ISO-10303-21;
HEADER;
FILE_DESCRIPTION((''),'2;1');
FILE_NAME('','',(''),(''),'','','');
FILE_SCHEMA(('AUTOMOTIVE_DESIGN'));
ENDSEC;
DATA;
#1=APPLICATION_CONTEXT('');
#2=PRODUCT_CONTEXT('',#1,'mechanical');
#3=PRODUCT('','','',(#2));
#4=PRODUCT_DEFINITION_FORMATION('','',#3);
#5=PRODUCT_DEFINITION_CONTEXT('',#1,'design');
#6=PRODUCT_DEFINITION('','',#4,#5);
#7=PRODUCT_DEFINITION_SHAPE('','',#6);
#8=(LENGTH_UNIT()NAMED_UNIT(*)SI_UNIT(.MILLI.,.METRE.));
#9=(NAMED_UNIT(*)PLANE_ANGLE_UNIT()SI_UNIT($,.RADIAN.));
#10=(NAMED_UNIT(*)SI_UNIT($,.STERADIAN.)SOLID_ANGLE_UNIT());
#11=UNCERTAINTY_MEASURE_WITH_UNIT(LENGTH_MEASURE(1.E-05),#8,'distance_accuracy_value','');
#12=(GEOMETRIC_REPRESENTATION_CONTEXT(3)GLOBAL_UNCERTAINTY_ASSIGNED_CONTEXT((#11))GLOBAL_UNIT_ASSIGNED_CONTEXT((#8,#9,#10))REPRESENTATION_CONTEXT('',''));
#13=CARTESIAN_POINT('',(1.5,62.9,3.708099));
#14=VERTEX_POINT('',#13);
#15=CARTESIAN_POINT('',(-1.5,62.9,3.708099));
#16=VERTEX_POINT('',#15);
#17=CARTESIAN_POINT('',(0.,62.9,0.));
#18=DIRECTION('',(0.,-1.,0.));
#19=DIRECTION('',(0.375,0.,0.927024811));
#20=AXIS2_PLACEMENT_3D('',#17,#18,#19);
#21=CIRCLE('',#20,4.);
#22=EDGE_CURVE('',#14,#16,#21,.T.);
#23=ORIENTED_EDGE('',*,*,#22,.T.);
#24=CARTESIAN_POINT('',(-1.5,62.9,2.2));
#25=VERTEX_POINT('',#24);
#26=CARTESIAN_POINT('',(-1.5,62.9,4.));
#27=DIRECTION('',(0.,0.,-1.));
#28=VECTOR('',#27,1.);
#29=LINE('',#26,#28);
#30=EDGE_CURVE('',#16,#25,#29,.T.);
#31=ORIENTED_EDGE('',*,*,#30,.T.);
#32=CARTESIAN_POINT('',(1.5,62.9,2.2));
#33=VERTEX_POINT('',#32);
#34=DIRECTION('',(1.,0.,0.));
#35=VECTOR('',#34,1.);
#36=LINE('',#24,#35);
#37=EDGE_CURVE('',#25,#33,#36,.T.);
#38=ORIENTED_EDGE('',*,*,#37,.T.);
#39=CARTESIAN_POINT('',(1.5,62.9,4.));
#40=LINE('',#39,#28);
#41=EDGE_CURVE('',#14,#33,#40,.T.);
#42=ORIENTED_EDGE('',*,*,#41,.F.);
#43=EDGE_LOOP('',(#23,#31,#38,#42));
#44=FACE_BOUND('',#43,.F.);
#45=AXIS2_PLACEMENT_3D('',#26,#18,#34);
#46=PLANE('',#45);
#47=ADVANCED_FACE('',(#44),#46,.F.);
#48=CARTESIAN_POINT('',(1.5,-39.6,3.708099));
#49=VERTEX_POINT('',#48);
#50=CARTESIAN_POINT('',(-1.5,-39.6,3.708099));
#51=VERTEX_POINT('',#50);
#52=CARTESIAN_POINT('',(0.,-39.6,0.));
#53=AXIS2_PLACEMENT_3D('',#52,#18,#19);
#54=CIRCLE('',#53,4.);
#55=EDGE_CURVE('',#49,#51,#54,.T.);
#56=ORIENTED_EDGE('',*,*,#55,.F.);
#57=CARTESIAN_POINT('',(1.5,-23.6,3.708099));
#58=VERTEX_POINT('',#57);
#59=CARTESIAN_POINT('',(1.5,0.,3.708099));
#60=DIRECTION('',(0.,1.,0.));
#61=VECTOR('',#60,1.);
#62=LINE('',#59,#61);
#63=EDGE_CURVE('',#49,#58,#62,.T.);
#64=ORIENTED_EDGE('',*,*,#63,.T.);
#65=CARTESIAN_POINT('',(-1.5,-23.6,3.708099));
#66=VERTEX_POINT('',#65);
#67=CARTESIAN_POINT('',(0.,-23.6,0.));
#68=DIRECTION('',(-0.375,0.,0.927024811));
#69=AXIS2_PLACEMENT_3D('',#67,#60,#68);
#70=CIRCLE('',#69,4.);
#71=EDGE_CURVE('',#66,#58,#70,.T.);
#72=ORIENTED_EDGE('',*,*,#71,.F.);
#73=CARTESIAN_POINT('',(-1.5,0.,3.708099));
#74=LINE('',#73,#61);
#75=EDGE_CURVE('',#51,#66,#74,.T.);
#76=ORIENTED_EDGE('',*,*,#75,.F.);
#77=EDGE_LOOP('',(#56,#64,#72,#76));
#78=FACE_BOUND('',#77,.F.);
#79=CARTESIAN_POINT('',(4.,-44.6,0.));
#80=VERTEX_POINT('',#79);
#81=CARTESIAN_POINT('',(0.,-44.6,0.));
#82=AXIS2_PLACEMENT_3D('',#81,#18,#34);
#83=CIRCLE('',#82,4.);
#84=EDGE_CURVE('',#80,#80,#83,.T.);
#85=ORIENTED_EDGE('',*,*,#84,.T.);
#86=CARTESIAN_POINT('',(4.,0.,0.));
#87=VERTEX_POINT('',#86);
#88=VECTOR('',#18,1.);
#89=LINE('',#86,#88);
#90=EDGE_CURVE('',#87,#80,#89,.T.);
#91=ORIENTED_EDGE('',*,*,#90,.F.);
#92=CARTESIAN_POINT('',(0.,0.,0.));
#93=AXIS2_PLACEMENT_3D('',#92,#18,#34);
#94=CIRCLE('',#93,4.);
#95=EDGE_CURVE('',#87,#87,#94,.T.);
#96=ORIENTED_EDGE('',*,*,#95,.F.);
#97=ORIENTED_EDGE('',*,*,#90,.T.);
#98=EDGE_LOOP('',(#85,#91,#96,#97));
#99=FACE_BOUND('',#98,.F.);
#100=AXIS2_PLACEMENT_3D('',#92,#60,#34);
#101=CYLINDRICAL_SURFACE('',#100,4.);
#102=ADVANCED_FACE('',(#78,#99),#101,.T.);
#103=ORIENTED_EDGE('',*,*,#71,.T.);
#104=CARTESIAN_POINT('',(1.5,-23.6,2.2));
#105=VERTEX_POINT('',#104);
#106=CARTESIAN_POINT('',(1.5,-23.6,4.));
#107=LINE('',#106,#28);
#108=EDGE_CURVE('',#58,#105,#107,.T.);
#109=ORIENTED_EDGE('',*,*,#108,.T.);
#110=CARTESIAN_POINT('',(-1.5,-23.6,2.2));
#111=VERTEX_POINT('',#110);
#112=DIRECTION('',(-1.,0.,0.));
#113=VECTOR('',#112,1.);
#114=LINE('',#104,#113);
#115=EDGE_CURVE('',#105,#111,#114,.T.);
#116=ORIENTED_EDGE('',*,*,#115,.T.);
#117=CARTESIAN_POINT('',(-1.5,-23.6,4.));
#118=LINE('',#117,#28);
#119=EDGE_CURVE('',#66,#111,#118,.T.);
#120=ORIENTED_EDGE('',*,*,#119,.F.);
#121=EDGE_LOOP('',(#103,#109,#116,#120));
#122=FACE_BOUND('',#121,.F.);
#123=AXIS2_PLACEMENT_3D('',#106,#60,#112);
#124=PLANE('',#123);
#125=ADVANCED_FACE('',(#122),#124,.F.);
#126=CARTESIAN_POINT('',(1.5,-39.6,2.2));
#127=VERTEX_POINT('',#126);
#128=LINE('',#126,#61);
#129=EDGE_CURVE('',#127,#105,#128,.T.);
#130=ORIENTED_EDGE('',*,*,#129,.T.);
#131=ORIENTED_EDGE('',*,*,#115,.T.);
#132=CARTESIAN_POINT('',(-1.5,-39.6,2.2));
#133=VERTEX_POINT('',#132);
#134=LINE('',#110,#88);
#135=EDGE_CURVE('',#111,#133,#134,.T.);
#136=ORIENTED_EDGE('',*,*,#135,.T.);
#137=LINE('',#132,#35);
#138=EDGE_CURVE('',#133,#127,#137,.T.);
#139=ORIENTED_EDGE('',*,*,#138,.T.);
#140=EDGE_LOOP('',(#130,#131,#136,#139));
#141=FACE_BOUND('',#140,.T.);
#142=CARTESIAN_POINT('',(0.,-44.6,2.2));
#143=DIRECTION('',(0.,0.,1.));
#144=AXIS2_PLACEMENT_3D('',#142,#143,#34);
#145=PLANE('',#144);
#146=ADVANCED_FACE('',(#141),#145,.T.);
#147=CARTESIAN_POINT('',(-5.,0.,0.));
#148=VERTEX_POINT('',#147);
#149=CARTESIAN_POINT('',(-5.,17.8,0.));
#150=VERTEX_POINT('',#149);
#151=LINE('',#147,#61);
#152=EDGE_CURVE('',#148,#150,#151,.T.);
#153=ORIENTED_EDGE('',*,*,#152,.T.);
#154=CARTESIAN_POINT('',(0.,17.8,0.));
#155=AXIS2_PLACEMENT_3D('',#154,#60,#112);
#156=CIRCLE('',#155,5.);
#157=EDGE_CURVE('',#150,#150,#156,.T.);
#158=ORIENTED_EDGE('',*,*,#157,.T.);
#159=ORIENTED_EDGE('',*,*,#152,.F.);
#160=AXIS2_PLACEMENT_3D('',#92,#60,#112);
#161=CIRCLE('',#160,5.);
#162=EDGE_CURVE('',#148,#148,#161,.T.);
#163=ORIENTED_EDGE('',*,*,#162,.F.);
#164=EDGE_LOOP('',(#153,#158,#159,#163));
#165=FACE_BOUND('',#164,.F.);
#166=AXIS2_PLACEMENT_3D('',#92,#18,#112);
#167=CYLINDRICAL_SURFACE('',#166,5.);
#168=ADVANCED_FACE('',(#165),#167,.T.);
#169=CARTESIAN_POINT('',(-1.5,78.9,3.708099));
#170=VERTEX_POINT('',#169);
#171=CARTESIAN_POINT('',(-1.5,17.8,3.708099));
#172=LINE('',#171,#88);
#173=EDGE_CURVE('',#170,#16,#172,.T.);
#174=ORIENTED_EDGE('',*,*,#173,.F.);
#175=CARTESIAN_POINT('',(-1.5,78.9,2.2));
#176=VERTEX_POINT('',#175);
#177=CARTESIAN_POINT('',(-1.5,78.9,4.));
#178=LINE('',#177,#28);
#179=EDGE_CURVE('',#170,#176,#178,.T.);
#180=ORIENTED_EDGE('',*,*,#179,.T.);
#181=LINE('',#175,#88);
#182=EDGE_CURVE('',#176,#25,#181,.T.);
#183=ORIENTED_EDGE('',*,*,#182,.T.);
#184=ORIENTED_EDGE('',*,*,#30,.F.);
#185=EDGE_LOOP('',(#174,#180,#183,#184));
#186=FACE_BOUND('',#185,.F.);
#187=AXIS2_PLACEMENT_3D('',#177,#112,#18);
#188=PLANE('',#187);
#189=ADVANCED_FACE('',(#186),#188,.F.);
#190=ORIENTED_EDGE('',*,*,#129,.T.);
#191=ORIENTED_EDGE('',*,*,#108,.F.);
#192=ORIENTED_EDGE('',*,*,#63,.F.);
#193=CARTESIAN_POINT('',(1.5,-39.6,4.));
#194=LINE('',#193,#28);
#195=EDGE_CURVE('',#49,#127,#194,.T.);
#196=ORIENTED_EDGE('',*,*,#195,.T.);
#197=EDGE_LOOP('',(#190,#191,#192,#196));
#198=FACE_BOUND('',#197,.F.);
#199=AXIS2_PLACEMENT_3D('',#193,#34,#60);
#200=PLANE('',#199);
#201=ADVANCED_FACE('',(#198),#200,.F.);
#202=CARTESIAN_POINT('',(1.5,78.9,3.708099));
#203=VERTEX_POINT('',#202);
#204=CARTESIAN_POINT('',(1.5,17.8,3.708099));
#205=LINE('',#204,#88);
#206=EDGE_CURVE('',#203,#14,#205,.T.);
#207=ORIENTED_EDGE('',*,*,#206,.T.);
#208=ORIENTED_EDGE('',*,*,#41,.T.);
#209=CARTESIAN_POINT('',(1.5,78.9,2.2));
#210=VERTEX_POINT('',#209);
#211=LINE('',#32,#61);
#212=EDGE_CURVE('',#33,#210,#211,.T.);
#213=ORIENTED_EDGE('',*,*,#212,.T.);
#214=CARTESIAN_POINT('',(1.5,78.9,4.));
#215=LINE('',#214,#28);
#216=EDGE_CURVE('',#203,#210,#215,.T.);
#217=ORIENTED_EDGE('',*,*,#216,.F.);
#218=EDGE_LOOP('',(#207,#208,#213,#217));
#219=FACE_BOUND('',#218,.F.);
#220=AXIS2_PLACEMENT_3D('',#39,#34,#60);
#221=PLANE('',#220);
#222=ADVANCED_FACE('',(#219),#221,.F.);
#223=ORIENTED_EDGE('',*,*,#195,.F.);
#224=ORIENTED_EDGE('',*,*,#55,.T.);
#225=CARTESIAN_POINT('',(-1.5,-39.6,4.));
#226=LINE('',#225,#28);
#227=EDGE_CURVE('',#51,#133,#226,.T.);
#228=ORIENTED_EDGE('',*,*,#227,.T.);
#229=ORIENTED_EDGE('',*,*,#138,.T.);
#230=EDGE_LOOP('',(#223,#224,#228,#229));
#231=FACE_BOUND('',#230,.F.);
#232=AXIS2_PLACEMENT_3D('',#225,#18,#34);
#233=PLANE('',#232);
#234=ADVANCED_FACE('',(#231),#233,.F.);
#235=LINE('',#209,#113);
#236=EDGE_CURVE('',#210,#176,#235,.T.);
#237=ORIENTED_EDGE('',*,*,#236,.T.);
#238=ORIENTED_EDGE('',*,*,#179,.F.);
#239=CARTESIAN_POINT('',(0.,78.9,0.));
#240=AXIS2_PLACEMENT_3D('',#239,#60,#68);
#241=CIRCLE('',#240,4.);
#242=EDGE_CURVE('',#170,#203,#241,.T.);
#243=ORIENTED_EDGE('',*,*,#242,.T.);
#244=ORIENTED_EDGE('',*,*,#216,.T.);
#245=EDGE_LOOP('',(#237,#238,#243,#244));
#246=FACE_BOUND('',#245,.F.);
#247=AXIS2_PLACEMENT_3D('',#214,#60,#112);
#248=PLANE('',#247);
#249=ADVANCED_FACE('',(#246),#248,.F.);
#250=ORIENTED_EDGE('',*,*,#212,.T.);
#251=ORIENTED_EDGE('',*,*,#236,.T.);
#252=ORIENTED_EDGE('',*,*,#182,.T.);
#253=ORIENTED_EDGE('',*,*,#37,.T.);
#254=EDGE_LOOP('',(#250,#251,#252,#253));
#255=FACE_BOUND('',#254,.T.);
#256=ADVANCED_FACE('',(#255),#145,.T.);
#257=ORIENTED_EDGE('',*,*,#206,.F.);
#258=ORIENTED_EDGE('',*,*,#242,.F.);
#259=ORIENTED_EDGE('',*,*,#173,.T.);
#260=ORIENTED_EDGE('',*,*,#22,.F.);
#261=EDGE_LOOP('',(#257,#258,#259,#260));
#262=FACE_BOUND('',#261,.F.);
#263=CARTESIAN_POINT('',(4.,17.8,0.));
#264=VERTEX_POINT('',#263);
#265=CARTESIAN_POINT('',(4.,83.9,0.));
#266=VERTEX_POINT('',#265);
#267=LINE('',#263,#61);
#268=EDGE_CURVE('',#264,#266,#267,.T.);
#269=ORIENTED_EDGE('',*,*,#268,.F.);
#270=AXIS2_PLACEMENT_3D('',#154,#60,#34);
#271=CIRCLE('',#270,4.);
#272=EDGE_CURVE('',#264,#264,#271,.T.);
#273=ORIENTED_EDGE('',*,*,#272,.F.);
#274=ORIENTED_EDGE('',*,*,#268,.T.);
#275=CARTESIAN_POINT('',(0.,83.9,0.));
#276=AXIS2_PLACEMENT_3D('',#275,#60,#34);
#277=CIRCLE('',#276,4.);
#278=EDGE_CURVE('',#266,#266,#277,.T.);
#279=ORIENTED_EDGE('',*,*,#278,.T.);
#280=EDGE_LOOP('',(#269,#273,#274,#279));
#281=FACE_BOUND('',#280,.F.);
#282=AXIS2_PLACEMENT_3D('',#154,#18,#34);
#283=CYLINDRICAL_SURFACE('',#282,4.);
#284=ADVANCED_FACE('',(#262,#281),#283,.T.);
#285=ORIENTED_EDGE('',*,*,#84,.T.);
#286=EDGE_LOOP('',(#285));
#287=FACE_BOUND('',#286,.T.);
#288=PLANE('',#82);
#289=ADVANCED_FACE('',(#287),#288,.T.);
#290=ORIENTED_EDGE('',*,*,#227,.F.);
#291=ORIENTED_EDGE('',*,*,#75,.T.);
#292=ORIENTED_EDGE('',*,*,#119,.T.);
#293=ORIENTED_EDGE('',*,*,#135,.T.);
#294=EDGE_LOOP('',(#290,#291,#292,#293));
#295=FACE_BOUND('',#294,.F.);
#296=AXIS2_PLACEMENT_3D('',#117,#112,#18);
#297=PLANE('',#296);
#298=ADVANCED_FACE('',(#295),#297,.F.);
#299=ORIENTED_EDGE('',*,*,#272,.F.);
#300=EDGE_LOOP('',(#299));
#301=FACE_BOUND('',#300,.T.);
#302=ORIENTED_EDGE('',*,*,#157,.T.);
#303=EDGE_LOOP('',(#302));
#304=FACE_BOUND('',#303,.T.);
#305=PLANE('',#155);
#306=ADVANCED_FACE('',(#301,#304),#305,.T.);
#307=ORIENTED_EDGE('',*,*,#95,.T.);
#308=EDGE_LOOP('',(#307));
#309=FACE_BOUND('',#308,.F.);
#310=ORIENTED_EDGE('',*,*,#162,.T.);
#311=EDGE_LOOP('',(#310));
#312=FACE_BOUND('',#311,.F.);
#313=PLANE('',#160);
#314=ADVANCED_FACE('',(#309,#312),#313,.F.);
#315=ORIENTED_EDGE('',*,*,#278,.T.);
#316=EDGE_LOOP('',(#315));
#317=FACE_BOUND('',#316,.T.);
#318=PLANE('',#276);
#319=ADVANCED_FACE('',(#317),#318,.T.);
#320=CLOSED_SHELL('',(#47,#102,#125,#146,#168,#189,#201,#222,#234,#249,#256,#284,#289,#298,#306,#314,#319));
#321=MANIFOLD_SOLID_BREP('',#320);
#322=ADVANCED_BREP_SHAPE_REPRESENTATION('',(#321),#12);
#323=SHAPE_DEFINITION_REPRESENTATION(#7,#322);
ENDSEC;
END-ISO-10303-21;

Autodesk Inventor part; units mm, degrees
ref_plane "YZ Plane" through (0, 0, 0) normal (1, 0, 0) x (0, 1, 0)
ref_plane "XZ Plane" through (0, 0, 0) normal (0, 1, 0) x (-1, 0, 0)
sketch "スケッチ1" plane through (0, 0, 0) normal (0, 1, 0) x (-1, 0, 0)
  circle A0 centre (0, 0) radius 5
  dimension "d0" = 10
extrude "押し出し1" add sketch "スケッチ1" along normal blind 17.8
sketch "スケッチ2" plane through (0, 17.8, 0) normal (0, 1, 0) x (1, 0, 0)
  circle A0 centre (0, 0) radius 4
  dimension "d3" = 8
extrude "押し出し2" add sketch "スケッチ2" along normal blind 66.1
sketch "スケッチ3" plane through (0, 0, 0) normal (0, -1, 0) x (1, 0, 0)
  circle A0 centre (0, 0) radius 4
  dimension "d6" = 8
extrude "押し出し3" add sketch "スケッチ3" along normal blind 44.6
sketch "スケッチ4" plane through (0, -44.6, 0) normal (0, -1, 0) x (1, 0, 0)
  circle A0 centre (0, 0) radius 4 projected
  point P0 (0, 4)
ref_plane "作業平面1" through (0, -44.6, 4) normal (0, 0, 1) x (1, 0, 0)
sketch "スケッチ7" plane through (0, -44.6, 4) normal (0, 0, 1) x (1, 0, 0)
  line L0 (-1.5, 5) -> (1.5, 5)
  line L1 (1.5, 5) -> (1.5, 21)
  line L2 (1.5, 21) -> (-1.5, 21)
  line L3 (-1.5, 21) -> (-1.5, 5)
  line L4 (-1.5, 5) -> (1.5, 21) construction
  line L5 (1.5, 5) -> (-1.5, 21) construction
  line L6 (-4, 0) -> (4, 0) projected
  line L7 (-1.5, 107.5) -> (1.5, 107.5)
  line L8 (1.5, 107.5) -> (1.5, 123.5)
  line L9 (1.5, 123.5) -> (-1.5, 123.5)
  line L10 (-1.5, 123.5) -> (-1.5, 107.5)
  line L11 (-1.5, 107.5) -> (1.5, 123.5) construction
  line L12 (1.5, 107.5) -> (-1.5, 123.5) construction
  line L13 (4, 128.5) -> (-4, 128.5) projected
  point P0 (0, 44.6)
  point P1 (0, 13)
  point P2 (0, 115.5)
  dimension "d17" = 3
  dimension "d18" = 16
  dimension "d19" = 5
  dimension "d20" = 3
  dimension "d21" = 16
  dimension "d22" = 5
extrude "押し出し5" cut sketch "スケッチ7" against normal blind 1.8
properties part number "shoulder2_shaft2" material "鋼、炭素鋼"
